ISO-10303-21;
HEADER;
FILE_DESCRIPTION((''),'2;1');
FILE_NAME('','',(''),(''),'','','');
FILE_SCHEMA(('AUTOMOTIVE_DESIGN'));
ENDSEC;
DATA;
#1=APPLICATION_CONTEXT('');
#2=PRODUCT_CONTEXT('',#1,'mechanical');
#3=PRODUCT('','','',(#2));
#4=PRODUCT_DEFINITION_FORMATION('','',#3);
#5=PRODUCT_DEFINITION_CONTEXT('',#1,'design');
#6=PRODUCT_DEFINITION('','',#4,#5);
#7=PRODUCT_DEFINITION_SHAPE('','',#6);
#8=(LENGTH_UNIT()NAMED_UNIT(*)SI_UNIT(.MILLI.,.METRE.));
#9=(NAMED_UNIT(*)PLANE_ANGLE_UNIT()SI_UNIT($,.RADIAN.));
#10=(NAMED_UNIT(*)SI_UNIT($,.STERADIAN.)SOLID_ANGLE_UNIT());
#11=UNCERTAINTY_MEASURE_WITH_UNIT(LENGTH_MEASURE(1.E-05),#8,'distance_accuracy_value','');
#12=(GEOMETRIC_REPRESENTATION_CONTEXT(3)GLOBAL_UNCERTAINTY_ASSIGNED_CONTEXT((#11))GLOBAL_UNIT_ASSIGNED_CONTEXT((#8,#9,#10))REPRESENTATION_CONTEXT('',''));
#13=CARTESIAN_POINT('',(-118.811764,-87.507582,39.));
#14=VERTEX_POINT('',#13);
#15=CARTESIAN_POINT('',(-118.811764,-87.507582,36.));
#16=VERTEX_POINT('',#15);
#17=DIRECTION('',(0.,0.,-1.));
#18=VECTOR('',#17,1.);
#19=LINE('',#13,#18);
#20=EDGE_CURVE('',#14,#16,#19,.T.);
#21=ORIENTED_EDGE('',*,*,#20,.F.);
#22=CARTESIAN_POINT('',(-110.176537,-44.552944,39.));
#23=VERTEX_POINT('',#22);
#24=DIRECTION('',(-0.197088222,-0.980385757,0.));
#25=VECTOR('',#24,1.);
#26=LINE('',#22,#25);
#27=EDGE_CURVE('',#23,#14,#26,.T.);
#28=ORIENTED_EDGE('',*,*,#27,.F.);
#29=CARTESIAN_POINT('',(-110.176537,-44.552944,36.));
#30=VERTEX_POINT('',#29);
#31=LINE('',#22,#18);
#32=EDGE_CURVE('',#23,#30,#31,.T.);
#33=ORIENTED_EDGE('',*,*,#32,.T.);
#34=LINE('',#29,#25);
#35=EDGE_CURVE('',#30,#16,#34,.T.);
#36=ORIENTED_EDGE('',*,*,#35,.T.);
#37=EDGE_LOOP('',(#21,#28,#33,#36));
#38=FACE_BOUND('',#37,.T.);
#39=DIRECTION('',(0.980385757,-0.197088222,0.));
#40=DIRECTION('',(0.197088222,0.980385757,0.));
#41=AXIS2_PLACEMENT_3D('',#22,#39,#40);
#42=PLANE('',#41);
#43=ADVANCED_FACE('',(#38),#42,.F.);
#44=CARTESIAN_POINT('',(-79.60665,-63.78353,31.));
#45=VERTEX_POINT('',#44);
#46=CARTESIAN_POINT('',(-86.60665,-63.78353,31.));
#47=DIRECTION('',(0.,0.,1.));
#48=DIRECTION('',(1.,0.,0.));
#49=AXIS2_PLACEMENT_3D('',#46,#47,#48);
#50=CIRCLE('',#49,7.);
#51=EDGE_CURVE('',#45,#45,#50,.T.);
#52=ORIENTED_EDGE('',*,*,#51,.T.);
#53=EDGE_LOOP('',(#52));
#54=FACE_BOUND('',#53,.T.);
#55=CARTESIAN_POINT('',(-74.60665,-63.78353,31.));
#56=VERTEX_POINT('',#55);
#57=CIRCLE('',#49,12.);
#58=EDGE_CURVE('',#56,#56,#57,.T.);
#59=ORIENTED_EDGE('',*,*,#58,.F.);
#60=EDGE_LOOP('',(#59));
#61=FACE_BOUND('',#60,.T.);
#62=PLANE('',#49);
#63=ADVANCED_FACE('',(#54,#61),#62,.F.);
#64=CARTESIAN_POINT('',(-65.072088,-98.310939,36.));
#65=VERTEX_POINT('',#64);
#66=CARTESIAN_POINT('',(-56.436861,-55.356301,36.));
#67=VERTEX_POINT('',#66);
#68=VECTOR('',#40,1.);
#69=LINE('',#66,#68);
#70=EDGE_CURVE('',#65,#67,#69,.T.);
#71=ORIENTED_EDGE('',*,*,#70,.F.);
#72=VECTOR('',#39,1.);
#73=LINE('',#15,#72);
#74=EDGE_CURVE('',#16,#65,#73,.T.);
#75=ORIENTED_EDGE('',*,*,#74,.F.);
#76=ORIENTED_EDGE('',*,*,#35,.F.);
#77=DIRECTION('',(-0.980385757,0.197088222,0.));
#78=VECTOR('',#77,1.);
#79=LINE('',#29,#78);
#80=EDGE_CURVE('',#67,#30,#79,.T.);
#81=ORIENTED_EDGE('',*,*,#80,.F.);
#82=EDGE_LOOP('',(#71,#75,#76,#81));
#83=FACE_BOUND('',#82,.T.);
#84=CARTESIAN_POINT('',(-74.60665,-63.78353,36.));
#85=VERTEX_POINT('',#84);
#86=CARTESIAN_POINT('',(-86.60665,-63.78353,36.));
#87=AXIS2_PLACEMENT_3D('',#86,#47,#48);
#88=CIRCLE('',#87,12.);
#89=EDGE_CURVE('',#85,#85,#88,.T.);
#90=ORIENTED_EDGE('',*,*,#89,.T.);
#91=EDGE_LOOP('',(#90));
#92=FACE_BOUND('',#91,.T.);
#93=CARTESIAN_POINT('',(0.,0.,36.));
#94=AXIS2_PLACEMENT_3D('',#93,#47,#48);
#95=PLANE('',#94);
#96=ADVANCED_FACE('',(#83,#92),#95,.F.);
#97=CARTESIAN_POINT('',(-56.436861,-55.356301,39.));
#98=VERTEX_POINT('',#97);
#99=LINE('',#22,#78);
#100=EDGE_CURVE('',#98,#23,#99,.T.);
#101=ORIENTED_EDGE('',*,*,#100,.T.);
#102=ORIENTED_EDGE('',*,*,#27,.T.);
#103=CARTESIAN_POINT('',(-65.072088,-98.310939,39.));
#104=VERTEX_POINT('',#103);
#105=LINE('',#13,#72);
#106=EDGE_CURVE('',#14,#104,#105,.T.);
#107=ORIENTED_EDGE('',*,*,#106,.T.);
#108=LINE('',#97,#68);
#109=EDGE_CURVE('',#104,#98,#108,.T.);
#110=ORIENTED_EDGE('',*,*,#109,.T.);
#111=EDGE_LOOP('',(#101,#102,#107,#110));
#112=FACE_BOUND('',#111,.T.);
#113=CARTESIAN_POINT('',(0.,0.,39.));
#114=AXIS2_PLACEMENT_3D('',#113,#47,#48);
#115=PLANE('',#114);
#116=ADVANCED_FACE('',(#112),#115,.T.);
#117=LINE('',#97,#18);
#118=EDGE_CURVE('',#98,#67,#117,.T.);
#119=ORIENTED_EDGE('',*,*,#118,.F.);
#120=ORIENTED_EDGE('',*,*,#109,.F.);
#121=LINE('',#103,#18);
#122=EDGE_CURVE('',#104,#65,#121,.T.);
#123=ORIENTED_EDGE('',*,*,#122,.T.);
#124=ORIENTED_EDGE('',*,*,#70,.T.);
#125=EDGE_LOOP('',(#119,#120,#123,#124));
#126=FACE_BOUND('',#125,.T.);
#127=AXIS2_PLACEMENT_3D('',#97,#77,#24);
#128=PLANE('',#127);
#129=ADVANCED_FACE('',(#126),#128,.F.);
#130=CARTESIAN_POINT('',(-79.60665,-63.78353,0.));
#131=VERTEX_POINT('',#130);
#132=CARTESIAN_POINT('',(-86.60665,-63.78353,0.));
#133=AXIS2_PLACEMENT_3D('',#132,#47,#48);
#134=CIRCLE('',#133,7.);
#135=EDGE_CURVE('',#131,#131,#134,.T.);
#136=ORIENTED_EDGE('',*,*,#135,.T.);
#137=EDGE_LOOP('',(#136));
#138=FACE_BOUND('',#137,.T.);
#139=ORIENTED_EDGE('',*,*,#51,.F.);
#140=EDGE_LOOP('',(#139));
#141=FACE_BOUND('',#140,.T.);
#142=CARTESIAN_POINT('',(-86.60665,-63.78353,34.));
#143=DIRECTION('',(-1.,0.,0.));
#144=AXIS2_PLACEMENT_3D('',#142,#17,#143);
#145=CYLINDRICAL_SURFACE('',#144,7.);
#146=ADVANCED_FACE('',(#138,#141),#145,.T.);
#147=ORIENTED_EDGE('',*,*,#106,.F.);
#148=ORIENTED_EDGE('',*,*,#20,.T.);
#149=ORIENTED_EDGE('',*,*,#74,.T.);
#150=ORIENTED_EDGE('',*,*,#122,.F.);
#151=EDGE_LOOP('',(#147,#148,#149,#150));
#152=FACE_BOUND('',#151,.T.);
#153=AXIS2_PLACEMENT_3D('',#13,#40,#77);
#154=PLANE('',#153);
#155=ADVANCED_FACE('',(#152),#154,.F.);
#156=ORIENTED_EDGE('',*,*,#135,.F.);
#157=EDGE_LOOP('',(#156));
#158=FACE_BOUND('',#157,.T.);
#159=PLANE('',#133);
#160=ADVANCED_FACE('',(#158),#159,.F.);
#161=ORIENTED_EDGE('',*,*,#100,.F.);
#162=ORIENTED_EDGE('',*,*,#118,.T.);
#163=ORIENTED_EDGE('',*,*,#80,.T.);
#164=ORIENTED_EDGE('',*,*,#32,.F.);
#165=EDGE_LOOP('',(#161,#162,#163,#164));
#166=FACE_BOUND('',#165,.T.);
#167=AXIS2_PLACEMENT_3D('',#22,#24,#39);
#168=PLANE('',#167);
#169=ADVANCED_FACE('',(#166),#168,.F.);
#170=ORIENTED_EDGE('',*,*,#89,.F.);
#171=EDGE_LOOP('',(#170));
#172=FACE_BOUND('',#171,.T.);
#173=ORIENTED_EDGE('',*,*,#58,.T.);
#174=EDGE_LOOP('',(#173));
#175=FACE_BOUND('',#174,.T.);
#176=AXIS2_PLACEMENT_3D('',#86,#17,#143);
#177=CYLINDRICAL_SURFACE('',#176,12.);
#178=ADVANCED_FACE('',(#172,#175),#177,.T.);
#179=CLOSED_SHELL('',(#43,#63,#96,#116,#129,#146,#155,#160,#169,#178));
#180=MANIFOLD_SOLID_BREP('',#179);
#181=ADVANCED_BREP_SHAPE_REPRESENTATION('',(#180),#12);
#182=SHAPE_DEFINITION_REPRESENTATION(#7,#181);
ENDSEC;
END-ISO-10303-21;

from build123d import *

# Parameters (mm, degrees)
SKETCH_1_R           = 7
EXTRUDE_1_DEPTH      = 34
EXTRUDE_2_DEPTH      = 2
EXTRUDE_2_DEPTH_BACK = 3
SKETCH_2_R           = 12
EXTRUDE_4_DEPTH      = 3


with BuildPart() as part:
    # 草图1 → 凸台-拉伸1 (new body)
    with BuildSketch(Plane.XY):
        with Locations((-86.606649797, -63.783530386)):
            Circle(SKETCH_1_R)
    extrude(amount=EXTRUDE_1_DEPTH)

    # 草图2 → 凸台-拉伸2 (add, two sides: drawn at the far end of the back side and taken through both)
    with BuildSketch(Plane.XY.offset(34).offset(-EXTRUDE_2_DEPTH_BACK)):
        with Locations((-86.606649797, -63.783530386)):
            Circle(SKETCH_2_R)
    extrude(amount=EXTRUDE_2_DEPTH + EXTRUDE_2_DEPTH_BACK)

    # 草图3 → 凸台-拉伸4 (add)
    with BuildSketch(Plane.XY.offset(36)):
        Polygon((-110.176537097, -44.5529439), (-56.43686088, -55.3563008), (-65.07208759, -98.31093904), (-118.811763807, -87.507582139), align=None)
    extrude(amount=EXTRUDE_4_DEPTH)


solid = part.part
